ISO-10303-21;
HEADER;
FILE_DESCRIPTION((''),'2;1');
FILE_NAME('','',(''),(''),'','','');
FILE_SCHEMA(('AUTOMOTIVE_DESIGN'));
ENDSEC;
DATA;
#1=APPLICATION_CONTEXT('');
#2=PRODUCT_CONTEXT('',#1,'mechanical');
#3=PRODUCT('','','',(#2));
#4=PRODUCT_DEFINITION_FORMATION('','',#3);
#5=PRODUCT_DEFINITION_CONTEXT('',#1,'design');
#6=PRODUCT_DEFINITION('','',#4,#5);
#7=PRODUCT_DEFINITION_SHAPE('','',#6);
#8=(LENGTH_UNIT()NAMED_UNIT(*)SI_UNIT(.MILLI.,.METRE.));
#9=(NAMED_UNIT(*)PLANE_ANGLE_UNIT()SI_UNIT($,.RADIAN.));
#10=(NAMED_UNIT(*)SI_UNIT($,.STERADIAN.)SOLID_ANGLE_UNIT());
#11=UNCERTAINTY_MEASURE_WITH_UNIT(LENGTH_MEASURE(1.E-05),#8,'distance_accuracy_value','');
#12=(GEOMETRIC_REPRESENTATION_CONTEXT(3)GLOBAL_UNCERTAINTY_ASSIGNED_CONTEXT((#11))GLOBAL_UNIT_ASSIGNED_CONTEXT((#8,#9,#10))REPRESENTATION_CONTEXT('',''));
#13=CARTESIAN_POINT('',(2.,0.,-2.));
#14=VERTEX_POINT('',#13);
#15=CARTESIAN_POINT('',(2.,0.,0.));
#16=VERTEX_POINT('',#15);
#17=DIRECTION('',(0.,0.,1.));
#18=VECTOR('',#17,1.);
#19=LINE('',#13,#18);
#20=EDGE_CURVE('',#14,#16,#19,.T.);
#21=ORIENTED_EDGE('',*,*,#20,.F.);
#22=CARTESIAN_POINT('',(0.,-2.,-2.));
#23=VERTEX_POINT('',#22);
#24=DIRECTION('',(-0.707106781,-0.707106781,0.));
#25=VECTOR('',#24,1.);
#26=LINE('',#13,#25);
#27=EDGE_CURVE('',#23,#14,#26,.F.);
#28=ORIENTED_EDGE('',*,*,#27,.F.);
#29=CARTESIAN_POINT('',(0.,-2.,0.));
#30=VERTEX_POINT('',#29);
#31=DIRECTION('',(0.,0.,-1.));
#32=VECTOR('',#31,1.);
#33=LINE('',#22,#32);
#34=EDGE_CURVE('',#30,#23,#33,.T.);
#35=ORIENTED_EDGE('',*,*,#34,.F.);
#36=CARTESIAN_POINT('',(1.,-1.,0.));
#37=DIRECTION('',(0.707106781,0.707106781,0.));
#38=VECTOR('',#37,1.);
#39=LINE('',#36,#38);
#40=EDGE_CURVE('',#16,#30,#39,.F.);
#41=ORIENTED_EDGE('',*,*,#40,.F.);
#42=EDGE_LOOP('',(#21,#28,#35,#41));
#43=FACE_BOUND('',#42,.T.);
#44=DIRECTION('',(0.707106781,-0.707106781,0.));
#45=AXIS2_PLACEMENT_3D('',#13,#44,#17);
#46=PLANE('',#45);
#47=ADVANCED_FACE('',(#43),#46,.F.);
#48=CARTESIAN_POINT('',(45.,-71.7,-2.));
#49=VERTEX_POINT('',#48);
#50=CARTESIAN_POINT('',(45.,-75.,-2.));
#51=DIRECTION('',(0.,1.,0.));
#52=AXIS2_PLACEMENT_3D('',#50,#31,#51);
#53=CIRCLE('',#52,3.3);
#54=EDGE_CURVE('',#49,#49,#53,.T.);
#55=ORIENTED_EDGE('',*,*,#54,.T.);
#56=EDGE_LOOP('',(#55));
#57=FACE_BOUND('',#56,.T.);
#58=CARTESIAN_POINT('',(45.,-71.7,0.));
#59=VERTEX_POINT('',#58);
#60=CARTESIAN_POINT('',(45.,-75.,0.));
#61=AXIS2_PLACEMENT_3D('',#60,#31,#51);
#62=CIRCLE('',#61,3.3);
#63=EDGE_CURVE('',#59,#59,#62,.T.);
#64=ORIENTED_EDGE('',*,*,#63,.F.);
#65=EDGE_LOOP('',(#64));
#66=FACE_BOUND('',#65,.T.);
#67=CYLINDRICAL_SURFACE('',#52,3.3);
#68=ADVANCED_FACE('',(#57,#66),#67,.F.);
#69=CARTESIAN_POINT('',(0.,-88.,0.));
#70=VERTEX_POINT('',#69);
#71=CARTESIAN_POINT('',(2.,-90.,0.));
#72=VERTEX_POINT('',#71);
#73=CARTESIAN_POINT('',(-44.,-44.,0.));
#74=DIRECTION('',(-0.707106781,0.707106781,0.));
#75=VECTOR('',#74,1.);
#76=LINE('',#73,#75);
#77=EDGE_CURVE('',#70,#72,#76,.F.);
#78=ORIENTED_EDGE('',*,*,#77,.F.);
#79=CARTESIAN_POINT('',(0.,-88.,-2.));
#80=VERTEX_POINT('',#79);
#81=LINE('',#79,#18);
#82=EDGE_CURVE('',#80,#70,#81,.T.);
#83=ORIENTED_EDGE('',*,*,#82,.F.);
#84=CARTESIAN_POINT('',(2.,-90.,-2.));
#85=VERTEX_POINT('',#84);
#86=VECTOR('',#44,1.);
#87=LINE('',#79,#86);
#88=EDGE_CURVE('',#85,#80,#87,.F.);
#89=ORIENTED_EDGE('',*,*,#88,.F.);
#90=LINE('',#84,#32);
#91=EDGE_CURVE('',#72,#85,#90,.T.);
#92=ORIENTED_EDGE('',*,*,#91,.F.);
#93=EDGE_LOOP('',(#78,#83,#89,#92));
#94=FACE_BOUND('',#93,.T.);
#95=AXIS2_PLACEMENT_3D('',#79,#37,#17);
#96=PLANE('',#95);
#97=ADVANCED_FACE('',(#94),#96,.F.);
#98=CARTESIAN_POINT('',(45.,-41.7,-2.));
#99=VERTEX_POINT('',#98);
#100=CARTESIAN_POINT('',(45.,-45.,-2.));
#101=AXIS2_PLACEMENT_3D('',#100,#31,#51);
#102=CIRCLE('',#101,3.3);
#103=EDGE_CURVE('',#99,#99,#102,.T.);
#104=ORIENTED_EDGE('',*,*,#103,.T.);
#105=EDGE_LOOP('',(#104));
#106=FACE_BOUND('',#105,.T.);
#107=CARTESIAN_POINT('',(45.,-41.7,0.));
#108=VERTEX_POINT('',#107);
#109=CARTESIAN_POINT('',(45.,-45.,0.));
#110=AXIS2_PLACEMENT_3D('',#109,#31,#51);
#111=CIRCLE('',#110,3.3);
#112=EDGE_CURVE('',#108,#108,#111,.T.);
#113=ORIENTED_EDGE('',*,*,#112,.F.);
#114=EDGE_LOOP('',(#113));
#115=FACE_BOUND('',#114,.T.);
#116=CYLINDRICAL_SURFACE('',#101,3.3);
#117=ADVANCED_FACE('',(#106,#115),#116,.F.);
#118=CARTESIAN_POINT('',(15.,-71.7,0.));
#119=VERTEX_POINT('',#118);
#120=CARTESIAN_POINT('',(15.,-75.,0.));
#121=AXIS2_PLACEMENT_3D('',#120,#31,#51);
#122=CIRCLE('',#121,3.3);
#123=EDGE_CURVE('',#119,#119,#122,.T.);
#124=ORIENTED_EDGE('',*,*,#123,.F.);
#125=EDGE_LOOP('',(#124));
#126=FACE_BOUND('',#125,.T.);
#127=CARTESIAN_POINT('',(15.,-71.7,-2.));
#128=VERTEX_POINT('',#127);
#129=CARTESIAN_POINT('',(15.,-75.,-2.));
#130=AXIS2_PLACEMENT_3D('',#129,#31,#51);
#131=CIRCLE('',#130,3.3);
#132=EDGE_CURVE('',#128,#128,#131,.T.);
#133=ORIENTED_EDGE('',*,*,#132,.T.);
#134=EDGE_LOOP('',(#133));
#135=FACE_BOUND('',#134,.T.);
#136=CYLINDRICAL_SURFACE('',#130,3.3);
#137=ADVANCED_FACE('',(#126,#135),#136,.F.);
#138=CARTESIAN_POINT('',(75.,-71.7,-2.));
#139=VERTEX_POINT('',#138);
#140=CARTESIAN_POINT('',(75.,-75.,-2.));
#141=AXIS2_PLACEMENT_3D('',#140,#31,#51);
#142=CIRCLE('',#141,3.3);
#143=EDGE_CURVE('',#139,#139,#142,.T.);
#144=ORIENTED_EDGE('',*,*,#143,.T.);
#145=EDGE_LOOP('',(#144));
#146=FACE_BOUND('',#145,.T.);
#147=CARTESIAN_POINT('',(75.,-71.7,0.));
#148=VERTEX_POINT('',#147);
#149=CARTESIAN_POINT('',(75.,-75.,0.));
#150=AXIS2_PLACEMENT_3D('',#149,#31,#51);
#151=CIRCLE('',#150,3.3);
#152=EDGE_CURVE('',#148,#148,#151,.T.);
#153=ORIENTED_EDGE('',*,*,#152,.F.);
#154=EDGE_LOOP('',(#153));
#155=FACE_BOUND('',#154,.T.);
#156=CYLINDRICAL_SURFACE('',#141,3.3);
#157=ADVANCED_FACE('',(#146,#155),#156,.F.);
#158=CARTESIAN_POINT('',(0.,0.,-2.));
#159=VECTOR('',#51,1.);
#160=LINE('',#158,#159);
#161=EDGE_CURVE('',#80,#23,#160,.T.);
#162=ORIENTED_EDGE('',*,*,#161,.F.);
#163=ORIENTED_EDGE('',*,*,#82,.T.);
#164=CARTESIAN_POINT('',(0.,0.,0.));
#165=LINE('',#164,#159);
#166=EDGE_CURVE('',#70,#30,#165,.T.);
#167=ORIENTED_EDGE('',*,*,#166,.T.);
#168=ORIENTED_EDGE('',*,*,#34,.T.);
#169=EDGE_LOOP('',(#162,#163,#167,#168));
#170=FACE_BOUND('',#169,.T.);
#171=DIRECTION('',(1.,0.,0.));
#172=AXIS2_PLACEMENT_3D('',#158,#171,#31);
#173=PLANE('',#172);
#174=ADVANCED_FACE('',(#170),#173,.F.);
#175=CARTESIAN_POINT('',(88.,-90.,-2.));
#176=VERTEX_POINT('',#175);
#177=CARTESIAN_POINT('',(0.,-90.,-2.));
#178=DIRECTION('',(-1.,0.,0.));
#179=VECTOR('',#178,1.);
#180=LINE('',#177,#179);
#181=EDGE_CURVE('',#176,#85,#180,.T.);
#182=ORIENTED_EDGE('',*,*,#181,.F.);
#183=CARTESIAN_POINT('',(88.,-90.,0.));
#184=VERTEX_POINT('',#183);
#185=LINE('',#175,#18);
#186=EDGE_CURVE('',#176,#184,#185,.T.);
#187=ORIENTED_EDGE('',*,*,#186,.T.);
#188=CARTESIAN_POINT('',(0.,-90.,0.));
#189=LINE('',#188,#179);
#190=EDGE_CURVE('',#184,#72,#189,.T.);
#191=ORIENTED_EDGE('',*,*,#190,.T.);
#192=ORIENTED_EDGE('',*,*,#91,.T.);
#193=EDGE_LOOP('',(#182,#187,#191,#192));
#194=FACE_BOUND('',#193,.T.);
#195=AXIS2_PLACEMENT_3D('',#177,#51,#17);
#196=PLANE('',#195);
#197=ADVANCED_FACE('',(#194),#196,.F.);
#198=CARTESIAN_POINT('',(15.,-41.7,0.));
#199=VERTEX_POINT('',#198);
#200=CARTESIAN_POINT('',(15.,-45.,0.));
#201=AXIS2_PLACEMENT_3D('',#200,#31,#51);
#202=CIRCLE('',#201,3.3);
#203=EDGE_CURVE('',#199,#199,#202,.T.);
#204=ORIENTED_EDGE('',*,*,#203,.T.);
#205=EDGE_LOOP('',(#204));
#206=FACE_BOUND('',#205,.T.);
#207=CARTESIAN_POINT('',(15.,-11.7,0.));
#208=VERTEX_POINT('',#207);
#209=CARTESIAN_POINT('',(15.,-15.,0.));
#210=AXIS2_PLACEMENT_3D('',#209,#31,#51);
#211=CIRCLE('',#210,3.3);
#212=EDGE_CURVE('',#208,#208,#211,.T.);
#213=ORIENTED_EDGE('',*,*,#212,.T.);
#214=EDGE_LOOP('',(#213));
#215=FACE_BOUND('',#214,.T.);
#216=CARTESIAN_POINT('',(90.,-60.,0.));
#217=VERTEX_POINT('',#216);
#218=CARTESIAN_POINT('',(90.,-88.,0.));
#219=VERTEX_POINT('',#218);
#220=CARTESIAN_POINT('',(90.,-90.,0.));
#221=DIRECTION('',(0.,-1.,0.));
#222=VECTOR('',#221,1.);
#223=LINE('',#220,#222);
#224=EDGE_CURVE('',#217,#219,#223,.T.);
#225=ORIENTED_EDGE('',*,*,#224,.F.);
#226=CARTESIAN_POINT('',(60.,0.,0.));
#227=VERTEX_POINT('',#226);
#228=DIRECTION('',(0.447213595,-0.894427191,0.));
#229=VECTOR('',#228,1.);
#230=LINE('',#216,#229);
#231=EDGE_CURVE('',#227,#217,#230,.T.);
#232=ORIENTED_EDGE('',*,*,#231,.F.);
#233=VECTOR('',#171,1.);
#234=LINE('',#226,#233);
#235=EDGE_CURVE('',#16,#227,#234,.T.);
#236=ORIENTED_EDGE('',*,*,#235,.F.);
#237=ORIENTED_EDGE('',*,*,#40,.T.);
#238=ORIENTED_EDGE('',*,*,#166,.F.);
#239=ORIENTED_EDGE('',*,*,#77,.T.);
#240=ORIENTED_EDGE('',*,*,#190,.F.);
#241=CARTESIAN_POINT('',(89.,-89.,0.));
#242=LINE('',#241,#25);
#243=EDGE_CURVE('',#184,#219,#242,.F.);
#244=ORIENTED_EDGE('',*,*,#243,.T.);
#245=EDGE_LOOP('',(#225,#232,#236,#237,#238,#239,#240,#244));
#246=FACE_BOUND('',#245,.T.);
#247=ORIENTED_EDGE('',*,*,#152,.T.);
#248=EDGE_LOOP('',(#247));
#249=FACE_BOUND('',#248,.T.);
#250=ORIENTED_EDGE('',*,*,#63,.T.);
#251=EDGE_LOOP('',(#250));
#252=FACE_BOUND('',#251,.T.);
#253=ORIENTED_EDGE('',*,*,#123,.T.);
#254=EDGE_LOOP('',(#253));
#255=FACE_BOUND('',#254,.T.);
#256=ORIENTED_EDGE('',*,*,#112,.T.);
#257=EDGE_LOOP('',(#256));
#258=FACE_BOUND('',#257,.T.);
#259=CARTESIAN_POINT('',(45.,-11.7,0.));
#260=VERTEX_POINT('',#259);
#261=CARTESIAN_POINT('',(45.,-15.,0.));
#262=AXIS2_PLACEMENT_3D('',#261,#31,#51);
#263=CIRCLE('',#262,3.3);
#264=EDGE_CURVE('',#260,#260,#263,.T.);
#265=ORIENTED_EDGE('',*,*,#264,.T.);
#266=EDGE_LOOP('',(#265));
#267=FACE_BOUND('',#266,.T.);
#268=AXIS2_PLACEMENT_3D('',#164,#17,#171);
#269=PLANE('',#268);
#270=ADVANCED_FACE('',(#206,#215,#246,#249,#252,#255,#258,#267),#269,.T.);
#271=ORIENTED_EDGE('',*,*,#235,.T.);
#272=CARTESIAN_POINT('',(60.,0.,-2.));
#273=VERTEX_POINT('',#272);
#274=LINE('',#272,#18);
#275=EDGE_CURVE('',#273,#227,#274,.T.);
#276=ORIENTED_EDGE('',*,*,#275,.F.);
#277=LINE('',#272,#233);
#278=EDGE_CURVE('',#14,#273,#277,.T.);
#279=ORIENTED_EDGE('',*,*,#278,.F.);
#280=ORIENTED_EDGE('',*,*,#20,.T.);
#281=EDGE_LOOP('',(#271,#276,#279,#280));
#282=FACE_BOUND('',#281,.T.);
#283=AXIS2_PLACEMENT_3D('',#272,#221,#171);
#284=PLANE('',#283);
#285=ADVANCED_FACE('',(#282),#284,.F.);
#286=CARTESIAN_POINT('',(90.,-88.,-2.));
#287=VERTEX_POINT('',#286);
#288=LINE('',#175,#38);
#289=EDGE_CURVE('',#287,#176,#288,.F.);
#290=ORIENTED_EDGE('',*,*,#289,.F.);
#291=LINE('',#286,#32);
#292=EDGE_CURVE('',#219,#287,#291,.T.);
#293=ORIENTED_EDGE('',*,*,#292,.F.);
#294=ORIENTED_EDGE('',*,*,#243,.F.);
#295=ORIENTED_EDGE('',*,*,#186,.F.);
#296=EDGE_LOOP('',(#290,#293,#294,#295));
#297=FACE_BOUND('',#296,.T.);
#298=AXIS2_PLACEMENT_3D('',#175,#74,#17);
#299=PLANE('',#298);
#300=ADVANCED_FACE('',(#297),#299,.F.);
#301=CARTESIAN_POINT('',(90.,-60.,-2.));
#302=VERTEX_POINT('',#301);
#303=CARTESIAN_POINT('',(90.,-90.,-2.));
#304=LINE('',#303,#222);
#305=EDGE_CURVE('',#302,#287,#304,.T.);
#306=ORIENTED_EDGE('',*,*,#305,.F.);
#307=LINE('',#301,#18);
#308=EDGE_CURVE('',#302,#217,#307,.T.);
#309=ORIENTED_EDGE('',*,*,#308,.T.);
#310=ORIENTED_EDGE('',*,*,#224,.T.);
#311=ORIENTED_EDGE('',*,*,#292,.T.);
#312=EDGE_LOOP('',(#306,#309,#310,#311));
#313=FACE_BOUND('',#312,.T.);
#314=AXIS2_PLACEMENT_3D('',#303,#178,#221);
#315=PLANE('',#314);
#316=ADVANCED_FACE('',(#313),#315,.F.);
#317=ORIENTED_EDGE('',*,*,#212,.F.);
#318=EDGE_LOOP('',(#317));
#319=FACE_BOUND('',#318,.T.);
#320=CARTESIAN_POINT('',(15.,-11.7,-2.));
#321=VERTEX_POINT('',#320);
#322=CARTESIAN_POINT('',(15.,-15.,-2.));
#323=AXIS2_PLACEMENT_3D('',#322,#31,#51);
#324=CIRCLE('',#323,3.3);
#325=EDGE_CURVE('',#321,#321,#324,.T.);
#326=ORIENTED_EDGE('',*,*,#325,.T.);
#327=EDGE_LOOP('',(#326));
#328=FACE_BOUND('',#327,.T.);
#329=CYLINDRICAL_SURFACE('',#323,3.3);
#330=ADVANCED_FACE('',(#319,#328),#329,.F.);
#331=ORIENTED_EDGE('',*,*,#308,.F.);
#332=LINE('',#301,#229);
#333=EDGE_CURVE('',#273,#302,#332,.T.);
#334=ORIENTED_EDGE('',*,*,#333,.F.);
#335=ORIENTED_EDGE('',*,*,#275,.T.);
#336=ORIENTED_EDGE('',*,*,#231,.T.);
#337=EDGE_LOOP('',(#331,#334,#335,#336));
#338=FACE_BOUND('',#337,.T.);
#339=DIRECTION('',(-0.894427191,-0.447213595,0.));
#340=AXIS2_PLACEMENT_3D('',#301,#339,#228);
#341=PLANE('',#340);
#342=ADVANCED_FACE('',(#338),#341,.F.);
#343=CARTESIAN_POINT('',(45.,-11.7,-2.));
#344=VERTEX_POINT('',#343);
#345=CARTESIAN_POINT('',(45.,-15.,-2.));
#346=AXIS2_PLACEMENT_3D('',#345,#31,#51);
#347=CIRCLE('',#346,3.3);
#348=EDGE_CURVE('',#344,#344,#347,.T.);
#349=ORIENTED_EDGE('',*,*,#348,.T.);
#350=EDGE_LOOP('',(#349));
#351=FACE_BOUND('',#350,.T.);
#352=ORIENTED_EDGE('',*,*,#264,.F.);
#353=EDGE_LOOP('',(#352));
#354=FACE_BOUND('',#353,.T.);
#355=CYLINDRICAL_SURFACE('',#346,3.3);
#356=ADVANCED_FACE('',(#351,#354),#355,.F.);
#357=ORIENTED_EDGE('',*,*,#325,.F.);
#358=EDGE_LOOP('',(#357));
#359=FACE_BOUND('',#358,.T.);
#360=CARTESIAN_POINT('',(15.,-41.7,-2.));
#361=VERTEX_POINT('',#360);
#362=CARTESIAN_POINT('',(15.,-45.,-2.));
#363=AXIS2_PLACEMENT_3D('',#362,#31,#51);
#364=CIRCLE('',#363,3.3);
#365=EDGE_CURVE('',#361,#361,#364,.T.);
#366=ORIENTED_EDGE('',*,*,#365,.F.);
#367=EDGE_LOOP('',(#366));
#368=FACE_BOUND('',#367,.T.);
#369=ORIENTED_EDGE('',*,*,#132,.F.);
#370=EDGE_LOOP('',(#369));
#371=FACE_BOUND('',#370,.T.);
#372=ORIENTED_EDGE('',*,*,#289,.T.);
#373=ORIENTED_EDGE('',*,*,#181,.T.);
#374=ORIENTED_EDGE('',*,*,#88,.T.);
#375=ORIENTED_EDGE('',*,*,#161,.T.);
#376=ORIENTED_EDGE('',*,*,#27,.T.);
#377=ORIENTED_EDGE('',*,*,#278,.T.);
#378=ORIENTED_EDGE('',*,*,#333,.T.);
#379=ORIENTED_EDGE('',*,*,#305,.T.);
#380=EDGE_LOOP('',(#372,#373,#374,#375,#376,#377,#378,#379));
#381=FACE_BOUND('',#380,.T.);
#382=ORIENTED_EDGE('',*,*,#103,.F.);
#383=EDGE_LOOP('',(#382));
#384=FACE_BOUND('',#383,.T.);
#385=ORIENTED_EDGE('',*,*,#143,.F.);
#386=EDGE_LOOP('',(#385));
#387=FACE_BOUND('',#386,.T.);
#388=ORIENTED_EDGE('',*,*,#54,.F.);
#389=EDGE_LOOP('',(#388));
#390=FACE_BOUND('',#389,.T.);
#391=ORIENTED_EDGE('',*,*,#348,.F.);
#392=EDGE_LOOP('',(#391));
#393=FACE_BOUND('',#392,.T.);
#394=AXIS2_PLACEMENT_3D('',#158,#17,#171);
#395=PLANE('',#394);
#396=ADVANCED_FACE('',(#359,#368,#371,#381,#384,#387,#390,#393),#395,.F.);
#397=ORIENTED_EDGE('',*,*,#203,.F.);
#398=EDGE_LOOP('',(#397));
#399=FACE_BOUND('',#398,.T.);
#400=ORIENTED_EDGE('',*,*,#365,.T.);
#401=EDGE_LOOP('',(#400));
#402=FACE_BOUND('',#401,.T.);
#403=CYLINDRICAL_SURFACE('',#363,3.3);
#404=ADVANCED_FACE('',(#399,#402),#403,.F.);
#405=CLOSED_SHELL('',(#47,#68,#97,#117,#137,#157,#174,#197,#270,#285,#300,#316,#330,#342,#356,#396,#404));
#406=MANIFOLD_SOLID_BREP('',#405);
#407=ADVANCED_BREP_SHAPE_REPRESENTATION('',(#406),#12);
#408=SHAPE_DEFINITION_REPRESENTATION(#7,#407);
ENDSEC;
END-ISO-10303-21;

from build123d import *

# Parameters (mm, degrees)
EXTRUDE_1_DEPTH   = 2
HOLE_WIZARD_M61_D = 6.6
CHAMFER_1_SIZE    = 2


with BuildPart() as part:
    # Эскиз1 → Бобышка-Вытянуть1 (new body)
    with BuildSketch(Plane(origin=(0, 0, 0), x_dir=(1, 0, 0), z_dir=(0, 0, -1))):
        Polygon((0, 0), (0, 90), (90, 90), (90, 60), (60, 0), align=None)
    extrude(amount=EXTRUDE_1_DEPTH)

    # Отверстие с зазором M61 (through all)
    with Locations(Plane(origin=(0, 0, -2), x_dir=(1, 0, 0), z_dir=(0, 0, -1))):
        with Locations((45, 75), (15, 75), (15, 45), (15, 15), (75, 75), (45, 45), (45, 15)):
            Hole(HOLE_WIZARD_M61_D / 2)

    # Фаска1
    chamfer_1_edges = [part.edges().sort_by_distance(p)[0] for p in [
        (0, 0, -1),
        (0, -90, -1),
        (90, -90, -1),
    ]]
    chamfer(chamfer_1_edges, length=CHAMFER_1_SIZE)


solid = part.part
